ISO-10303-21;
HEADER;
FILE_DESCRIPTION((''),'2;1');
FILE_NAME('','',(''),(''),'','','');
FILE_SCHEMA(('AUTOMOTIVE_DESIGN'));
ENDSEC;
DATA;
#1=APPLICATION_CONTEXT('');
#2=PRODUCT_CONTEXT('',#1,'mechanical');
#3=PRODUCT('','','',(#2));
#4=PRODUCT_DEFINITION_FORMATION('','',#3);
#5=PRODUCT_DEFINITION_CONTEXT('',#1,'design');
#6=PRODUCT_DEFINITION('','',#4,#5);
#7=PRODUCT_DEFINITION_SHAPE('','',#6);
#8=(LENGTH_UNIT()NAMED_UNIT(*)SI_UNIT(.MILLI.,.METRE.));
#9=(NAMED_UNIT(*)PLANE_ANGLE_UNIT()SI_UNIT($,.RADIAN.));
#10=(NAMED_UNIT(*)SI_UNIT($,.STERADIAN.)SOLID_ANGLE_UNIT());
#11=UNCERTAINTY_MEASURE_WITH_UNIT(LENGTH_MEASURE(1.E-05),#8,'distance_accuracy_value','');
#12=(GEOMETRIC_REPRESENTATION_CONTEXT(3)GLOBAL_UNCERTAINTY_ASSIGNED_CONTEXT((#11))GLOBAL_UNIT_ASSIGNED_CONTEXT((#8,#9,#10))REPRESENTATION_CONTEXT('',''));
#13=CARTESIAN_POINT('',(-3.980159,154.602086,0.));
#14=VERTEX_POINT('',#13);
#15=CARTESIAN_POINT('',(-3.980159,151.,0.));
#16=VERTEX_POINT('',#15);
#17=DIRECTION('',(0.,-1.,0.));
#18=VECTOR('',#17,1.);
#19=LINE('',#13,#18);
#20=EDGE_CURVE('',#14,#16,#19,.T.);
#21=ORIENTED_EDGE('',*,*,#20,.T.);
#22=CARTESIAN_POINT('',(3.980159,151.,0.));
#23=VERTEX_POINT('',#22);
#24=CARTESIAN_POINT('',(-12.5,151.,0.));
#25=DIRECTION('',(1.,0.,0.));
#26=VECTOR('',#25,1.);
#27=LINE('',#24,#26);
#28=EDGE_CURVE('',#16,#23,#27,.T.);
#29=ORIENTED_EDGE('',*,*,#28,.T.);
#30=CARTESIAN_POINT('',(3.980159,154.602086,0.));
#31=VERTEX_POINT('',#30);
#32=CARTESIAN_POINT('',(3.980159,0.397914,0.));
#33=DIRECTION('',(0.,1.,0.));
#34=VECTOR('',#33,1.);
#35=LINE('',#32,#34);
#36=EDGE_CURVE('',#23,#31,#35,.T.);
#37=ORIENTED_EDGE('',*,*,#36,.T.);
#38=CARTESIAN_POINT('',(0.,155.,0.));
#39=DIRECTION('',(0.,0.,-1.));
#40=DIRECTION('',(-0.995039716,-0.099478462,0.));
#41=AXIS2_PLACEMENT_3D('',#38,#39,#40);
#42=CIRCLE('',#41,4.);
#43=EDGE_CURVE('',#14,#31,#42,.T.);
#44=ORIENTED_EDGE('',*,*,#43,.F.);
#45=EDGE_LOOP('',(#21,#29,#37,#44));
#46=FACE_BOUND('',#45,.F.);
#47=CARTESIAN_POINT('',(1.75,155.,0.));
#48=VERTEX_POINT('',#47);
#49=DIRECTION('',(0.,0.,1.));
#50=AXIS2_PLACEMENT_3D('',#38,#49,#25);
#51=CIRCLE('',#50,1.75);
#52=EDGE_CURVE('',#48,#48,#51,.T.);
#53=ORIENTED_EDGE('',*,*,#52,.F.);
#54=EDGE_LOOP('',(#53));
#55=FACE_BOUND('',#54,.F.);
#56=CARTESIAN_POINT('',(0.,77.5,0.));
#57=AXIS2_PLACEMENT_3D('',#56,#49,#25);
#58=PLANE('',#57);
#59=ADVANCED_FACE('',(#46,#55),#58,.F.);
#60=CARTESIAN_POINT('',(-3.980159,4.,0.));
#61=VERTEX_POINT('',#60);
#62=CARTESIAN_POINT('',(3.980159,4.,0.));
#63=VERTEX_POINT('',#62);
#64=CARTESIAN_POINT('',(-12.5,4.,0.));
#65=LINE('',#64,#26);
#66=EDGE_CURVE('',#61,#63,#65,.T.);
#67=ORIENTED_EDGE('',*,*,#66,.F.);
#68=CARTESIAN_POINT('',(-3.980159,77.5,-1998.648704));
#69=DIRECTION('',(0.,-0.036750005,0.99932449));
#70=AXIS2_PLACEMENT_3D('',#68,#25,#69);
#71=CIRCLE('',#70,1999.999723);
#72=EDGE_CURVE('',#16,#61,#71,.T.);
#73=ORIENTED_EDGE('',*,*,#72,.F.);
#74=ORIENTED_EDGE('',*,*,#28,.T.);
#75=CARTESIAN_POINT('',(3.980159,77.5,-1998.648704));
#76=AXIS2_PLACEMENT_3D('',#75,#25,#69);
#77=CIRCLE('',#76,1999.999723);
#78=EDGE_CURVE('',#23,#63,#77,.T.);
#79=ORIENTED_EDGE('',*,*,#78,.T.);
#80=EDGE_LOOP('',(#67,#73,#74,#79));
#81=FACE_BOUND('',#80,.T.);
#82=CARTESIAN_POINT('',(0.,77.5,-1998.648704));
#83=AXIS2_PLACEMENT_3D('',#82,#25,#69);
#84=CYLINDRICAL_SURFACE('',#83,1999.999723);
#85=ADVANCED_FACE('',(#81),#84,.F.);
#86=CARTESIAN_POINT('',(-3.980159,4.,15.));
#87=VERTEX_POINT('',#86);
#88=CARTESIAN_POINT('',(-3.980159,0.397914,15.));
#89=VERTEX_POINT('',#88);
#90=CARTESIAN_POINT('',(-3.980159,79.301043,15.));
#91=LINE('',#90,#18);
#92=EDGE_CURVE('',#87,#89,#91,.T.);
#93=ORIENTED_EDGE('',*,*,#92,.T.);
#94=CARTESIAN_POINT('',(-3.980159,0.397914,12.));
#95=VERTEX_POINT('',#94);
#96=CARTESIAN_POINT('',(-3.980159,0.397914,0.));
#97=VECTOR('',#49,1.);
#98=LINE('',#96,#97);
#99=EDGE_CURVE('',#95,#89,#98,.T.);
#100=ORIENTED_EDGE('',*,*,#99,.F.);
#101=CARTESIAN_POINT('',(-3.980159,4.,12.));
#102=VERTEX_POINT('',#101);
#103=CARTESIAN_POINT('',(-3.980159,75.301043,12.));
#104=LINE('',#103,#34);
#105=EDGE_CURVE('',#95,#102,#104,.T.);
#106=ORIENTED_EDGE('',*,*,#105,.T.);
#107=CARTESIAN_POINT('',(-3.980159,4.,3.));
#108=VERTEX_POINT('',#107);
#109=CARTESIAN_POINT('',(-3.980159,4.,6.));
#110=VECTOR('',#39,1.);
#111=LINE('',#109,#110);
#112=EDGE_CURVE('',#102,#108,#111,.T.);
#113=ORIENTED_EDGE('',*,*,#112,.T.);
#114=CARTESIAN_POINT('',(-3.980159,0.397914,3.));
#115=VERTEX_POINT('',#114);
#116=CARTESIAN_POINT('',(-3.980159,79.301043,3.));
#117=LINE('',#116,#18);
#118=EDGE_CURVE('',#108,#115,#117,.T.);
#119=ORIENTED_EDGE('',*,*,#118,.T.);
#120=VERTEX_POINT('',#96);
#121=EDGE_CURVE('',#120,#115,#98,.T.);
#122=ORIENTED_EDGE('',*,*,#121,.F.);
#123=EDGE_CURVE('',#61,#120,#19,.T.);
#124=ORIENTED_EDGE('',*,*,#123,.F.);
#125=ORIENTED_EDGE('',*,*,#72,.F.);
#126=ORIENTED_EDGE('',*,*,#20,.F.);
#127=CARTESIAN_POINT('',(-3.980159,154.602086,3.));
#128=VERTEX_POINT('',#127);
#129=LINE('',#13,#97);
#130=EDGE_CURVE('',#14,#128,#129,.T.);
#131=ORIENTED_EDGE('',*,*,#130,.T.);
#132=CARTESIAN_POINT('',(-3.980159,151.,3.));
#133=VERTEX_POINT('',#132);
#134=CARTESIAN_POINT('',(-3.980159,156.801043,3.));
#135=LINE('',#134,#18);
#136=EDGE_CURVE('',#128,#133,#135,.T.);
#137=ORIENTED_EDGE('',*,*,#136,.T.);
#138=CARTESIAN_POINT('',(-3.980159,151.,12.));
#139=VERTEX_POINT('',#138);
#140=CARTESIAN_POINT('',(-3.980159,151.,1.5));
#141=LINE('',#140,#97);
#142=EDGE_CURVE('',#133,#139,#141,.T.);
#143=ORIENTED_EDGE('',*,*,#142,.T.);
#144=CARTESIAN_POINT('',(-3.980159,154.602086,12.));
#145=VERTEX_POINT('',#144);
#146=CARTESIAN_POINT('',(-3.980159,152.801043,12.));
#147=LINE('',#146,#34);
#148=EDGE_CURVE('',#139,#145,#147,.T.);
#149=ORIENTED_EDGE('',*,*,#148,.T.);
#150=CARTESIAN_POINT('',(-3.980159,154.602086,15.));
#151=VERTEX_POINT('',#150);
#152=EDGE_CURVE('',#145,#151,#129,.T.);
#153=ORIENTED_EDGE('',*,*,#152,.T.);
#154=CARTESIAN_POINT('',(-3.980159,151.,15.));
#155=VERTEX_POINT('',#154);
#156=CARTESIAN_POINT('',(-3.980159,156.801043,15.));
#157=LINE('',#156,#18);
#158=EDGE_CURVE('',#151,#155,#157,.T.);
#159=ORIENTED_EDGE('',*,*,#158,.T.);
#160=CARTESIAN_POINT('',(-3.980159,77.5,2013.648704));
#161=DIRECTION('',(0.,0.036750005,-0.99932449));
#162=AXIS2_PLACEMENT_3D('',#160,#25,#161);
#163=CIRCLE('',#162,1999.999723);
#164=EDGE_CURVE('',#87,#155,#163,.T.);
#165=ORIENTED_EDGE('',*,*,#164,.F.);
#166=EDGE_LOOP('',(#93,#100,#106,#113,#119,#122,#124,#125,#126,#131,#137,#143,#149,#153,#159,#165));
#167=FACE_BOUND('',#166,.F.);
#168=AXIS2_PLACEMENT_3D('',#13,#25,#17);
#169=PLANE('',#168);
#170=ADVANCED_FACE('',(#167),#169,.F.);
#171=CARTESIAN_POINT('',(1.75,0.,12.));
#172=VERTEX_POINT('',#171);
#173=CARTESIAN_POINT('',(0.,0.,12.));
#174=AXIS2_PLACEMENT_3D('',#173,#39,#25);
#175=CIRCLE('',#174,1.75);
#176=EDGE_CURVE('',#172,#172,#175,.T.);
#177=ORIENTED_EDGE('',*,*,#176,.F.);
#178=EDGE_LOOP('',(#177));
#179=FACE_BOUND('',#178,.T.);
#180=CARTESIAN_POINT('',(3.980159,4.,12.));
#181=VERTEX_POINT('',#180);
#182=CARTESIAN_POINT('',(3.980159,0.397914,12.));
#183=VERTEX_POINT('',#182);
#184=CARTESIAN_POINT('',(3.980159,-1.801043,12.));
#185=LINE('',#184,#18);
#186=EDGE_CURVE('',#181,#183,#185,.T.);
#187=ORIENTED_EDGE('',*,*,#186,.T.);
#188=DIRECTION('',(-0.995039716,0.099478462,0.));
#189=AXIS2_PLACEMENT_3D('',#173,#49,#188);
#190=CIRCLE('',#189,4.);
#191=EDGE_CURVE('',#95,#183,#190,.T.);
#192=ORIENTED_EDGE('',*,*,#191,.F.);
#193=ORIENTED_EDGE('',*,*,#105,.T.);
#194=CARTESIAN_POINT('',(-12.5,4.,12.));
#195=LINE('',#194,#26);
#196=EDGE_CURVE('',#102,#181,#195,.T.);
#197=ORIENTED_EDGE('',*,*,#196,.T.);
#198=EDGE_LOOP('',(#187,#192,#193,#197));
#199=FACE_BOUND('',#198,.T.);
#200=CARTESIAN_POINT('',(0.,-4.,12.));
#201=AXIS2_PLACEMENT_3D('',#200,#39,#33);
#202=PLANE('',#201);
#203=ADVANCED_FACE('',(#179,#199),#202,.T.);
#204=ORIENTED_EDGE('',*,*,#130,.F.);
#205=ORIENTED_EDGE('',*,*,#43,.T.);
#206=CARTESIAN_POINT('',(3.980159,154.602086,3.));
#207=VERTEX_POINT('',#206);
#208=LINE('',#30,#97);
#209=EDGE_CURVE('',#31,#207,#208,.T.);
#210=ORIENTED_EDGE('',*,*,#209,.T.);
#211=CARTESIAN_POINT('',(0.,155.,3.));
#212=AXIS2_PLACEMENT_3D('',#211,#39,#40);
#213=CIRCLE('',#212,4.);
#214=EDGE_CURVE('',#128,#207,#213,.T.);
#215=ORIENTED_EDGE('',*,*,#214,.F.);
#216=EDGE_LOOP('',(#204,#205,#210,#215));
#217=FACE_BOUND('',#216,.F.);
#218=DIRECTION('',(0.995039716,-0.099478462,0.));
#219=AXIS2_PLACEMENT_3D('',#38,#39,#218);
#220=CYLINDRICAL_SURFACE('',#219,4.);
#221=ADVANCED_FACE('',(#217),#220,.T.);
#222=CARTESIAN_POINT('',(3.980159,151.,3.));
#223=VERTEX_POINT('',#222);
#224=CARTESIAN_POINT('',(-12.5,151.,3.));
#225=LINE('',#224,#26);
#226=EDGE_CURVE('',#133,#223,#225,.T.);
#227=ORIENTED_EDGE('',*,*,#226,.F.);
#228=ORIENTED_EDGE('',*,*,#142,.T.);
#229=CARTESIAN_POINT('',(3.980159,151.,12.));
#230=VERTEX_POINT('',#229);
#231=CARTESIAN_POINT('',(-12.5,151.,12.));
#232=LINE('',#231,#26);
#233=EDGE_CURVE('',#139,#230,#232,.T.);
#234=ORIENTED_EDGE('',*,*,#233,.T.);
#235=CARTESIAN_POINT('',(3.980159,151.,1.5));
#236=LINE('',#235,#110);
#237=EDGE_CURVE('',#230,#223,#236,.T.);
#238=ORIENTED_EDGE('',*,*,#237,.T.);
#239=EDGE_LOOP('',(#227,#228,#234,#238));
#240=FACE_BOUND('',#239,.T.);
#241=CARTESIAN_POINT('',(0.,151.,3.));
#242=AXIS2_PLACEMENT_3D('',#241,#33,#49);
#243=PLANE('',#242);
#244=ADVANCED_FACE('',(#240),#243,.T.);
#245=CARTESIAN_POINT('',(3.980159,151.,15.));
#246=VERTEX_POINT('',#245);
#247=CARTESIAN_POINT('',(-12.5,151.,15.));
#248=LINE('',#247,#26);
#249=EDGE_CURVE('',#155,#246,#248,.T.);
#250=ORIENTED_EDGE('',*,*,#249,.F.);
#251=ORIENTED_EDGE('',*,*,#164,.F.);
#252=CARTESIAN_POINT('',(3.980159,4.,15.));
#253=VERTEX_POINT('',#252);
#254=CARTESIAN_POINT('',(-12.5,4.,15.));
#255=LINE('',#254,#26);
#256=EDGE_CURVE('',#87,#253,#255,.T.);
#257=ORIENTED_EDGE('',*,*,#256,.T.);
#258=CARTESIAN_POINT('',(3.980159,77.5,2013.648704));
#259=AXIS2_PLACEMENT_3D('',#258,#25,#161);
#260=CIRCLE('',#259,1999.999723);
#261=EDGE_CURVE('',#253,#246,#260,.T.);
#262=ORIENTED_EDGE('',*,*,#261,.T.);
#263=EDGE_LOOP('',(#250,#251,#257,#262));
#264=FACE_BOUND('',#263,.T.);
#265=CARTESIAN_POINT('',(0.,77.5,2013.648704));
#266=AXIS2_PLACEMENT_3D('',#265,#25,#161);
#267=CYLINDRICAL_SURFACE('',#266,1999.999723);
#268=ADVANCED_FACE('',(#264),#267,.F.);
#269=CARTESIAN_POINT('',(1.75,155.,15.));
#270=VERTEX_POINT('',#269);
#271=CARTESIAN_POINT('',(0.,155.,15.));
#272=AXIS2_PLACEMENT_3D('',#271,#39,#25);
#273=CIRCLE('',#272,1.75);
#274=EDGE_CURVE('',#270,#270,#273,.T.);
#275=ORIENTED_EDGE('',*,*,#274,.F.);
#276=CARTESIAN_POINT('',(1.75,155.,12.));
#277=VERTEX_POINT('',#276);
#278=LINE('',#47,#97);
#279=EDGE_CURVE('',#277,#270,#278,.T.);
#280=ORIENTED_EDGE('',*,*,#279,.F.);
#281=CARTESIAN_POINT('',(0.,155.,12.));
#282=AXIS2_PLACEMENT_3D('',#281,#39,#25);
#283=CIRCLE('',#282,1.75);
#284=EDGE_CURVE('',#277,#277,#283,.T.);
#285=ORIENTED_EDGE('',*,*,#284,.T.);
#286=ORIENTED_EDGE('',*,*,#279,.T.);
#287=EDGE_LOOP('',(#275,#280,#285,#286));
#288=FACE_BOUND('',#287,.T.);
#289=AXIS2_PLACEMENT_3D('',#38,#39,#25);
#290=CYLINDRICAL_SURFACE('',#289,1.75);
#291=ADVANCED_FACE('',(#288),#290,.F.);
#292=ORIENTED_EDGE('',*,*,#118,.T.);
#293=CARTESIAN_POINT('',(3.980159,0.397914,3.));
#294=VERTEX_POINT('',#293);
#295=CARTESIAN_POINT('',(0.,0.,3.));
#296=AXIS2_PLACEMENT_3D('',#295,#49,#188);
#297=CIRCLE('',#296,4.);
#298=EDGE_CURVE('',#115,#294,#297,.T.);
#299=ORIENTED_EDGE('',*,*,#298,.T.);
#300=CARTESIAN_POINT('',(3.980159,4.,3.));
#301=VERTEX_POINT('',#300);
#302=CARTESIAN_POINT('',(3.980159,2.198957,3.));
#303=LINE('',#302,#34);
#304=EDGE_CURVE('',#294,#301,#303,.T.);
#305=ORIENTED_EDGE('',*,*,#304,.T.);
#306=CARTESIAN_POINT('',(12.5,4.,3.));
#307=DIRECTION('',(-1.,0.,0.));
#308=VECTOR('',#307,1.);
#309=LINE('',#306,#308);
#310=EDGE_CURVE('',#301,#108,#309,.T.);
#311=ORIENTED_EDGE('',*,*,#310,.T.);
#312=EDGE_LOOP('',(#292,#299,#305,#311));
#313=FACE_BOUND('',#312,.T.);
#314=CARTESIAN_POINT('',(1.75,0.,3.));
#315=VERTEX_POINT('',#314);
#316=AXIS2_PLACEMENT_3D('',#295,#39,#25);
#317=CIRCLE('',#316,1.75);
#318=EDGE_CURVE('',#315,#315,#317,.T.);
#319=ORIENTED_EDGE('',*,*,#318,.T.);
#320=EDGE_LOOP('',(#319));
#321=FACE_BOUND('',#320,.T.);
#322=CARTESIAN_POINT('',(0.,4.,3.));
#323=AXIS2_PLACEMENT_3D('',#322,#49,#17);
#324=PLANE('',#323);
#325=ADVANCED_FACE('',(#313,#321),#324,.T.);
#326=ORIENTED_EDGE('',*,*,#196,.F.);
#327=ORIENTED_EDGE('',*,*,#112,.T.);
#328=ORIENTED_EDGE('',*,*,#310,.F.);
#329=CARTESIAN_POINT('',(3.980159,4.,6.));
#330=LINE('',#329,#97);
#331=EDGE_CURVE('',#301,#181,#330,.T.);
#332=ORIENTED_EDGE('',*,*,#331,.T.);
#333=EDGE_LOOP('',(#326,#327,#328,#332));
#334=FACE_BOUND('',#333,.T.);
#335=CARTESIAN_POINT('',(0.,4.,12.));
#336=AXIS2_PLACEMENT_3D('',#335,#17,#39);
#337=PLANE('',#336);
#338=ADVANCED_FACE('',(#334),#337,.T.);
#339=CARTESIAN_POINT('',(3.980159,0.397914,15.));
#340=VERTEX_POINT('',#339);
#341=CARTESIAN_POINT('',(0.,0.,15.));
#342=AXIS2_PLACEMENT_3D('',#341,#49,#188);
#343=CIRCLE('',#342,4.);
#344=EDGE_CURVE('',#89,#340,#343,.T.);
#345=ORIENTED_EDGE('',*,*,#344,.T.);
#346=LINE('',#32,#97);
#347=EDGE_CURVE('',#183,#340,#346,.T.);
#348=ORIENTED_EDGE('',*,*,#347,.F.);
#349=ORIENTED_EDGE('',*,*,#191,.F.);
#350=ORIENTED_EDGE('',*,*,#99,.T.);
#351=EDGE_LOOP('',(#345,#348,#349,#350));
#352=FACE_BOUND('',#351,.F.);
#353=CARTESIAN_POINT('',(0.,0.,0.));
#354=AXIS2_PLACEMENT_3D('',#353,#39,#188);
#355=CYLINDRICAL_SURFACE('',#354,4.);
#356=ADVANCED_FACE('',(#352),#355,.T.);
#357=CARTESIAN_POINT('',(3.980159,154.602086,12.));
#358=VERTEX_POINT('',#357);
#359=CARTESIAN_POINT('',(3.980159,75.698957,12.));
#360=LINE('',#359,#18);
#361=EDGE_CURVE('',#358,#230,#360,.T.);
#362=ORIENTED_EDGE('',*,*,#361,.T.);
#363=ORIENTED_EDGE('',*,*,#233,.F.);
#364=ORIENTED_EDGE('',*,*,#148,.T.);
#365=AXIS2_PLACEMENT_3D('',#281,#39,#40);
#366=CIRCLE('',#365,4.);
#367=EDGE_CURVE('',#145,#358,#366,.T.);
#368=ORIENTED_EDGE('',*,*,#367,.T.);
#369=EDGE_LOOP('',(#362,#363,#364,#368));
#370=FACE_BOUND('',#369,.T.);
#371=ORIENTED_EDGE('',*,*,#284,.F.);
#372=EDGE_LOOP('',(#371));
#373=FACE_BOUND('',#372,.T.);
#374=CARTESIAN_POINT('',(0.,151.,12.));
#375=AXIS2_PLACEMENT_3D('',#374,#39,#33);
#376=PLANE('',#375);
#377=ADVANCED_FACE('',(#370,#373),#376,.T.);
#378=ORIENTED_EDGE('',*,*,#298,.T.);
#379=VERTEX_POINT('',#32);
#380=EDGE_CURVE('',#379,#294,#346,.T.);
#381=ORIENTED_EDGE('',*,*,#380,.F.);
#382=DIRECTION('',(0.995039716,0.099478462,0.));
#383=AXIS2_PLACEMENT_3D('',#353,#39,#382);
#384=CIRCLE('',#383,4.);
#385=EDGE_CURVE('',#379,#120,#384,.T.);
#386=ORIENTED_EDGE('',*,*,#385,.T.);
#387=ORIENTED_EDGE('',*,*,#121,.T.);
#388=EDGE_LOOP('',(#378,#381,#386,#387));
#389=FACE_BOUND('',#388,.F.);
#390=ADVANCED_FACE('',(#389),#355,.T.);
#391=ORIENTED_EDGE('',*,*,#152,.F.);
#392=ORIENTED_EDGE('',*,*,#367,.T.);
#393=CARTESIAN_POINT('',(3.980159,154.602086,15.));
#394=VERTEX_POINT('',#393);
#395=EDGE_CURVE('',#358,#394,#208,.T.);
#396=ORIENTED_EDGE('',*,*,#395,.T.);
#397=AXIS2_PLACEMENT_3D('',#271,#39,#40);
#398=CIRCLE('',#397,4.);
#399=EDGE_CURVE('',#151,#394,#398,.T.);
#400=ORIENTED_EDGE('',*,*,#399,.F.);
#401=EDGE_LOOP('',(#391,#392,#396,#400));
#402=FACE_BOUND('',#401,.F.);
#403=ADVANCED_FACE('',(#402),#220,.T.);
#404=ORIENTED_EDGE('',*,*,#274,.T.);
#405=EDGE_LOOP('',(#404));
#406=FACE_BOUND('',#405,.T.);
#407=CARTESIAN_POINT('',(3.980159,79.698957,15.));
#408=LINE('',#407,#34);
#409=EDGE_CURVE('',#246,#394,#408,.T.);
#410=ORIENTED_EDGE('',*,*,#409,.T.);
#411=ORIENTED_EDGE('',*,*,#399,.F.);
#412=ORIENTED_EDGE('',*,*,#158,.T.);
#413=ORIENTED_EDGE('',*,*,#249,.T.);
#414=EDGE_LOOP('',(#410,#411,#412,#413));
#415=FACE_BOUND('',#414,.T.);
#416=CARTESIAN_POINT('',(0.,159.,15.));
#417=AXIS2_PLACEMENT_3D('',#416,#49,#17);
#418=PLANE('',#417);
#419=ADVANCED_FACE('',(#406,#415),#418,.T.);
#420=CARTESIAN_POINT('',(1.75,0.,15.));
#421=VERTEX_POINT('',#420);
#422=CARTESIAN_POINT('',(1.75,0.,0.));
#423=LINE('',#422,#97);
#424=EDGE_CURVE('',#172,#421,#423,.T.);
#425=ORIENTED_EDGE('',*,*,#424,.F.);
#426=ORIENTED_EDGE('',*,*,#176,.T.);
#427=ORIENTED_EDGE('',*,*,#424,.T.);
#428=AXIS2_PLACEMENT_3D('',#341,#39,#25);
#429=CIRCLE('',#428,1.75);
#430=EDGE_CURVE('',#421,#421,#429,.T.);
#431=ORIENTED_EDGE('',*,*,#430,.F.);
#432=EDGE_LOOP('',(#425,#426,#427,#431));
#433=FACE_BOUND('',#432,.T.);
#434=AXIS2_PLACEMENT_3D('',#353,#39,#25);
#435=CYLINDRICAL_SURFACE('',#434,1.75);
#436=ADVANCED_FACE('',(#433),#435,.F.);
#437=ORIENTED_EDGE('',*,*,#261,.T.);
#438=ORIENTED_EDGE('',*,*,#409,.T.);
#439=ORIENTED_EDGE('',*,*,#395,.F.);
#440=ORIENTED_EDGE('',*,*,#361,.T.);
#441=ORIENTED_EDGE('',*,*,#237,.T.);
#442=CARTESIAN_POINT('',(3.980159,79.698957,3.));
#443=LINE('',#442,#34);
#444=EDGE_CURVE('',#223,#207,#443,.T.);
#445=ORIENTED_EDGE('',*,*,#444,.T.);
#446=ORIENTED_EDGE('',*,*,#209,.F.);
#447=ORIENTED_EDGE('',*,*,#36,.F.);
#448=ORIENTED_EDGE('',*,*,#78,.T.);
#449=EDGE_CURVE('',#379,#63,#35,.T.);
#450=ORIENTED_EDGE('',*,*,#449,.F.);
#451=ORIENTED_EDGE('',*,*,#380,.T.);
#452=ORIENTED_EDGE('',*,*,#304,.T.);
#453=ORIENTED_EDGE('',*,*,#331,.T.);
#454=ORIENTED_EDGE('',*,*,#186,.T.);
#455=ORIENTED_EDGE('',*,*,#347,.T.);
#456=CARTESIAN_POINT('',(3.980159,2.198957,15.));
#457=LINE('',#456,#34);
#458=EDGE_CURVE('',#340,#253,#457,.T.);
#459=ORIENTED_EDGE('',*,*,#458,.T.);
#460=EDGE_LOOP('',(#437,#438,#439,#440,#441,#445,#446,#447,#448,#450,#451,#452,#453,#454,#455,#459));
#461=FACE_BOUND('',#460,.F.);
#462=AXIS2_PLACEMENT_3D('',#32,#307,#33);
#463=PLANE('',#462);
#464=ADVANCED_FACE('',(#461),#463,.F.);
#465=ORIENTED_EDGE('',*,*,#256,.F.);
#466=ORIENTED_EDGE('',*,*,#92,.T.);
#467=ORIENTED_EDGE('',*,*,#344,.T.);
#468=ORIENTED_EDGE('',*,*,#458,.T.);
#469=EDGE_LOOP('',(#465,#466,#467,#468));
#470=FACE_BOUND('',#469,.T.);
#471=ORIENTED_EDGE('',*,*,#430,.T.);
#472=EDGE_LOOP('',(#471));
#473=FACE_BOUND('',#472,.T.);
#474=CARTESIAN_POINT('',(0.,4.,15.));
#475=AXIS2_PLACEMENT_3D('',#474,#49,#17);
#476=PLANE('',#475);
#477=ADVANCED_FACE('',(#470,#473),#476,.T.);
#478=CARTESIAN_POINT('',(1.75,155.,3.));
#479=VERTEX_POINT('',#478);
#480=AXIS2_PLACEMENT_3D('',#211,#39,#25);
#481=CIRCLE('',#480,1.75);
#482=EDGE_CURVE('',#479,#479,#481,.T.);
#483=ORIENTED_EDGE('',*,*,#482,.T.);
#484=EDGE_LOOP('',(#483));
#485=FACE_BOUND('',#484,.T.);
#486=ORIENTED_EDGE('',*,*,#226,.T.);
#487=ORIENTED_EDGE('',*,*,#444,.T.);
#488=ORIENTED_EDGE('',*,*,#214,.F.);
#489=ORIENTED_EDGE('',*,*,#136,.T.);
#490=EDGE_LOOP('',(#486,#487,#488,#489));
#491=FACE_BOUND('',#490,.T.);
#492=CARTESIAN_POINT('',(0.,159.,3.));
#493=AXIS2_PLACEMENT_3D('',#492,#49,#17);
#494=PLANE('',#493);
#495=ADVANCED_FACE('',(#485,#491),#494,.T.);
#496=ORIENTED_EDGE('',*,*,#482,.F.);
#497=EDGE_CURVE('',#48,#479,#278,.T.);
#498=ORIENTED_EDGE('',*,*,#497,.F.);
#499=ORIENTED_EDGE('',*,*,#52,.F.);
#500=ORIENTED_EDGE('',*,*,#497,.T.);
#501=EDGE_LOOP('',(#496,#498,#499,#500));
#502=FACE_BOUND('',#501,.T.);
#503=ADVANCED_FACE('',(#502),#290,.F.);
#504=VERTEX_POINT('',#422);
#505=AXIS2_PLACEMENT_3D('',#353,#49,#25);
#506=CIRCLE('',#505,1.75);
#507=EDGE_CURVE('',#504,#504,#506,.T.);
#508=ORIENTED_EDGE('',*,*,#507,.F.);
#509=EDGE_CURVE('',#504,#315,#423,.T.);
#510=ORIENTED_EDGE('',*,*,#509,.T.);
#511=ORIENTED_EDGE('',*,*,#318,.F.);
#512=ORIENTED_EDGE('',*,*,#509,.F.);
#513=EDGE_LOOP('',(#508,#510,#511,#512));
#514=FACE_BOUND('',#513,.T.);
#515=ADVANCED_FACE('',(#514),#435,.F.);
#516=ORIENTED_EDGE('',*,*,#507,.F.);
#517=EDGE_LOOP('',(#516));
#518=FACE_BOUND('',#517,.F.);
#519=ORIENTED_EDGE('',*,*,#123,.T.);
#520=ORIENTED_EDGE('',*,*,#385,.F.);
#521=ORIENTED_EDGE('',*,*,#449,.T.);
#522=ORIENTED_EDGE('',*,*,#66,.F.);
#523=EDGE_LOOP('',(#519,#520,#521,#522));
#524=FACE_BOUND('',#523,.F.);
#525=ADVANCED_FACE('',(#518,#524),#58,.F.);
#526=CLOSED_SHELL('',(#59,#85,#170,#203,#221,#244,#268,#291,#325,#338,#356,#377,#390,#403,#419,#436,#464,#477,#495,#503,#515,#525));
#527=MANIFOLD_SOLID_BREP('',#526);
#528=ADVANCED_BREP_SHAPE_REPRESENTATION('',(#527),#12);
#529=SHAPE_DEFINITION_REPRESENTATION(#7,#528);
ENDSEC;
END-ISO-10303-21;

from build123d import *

# Parameters (mm, degrees)
F0_R     = 1.75
F1_DEPTH = 25
F3_DEPTH = 12.5


with BuildPart() as f1:
    # F0 (on Top) → F1 (new body)
    with BuildSketch(Plane.XY):
        with BuildLine():
            Line((3.980159, 0.397914), (3.980159, 154.602086))
            ThreePointArc((3.980159, 154.602086), (0, 159), (-3.980159, 154.602086))
            Line((-3.980159, 154.602086), (-3.980159, 0.397914))
            ThreePointArc((-3.980159, 0.397914), (0, -4), (3.980159, 0.397914))
        make_face()
        Circle(F0_R, mode=Mode.SUBTRACT)
        with Locations((0, 155)):
            Circle(F0_R, mode=Mode.SUBTRACT)
    extrude(amount=F1_DEPTH)

    # F2 (on Right) → F3 (intersect, symmetric)
    with BuildSketch(Plane.YZ):
        with BuildLine():
            Line((-4, 0), (0, 0))
            Line((0, 0), (4, 0))
            ThreePointArc((4, 0), (77.5, 1.351019), (151, 0))
            Line((151, 0), (159, 0))
            Line((159, 0), (159, 3))
            Line((159, 3), (151, 3))
            Line((151, 3), (151, 12))
            Line((151, 12), (159, 12))
            Line((159, 12), (159, 15))
            Line((159, 15), (151, 15))
            ThreePointArc((151, 15), (77.5, 13.648981), (4, 15))
            Line((4, 15), (-4, 15))
            Line((-4, 15), (-4, 12))
            Line((-4, 12), (4, 12))
            Line((4, 12), (4, 3))
            Line((4, 3), (-4, 3))
            Line((-4, 3), (-4, 0))
        make_face()
    extrude(amount=F3_DEPTH, both=True, mode=Mode.INTERSECT)


solid = f1.part
